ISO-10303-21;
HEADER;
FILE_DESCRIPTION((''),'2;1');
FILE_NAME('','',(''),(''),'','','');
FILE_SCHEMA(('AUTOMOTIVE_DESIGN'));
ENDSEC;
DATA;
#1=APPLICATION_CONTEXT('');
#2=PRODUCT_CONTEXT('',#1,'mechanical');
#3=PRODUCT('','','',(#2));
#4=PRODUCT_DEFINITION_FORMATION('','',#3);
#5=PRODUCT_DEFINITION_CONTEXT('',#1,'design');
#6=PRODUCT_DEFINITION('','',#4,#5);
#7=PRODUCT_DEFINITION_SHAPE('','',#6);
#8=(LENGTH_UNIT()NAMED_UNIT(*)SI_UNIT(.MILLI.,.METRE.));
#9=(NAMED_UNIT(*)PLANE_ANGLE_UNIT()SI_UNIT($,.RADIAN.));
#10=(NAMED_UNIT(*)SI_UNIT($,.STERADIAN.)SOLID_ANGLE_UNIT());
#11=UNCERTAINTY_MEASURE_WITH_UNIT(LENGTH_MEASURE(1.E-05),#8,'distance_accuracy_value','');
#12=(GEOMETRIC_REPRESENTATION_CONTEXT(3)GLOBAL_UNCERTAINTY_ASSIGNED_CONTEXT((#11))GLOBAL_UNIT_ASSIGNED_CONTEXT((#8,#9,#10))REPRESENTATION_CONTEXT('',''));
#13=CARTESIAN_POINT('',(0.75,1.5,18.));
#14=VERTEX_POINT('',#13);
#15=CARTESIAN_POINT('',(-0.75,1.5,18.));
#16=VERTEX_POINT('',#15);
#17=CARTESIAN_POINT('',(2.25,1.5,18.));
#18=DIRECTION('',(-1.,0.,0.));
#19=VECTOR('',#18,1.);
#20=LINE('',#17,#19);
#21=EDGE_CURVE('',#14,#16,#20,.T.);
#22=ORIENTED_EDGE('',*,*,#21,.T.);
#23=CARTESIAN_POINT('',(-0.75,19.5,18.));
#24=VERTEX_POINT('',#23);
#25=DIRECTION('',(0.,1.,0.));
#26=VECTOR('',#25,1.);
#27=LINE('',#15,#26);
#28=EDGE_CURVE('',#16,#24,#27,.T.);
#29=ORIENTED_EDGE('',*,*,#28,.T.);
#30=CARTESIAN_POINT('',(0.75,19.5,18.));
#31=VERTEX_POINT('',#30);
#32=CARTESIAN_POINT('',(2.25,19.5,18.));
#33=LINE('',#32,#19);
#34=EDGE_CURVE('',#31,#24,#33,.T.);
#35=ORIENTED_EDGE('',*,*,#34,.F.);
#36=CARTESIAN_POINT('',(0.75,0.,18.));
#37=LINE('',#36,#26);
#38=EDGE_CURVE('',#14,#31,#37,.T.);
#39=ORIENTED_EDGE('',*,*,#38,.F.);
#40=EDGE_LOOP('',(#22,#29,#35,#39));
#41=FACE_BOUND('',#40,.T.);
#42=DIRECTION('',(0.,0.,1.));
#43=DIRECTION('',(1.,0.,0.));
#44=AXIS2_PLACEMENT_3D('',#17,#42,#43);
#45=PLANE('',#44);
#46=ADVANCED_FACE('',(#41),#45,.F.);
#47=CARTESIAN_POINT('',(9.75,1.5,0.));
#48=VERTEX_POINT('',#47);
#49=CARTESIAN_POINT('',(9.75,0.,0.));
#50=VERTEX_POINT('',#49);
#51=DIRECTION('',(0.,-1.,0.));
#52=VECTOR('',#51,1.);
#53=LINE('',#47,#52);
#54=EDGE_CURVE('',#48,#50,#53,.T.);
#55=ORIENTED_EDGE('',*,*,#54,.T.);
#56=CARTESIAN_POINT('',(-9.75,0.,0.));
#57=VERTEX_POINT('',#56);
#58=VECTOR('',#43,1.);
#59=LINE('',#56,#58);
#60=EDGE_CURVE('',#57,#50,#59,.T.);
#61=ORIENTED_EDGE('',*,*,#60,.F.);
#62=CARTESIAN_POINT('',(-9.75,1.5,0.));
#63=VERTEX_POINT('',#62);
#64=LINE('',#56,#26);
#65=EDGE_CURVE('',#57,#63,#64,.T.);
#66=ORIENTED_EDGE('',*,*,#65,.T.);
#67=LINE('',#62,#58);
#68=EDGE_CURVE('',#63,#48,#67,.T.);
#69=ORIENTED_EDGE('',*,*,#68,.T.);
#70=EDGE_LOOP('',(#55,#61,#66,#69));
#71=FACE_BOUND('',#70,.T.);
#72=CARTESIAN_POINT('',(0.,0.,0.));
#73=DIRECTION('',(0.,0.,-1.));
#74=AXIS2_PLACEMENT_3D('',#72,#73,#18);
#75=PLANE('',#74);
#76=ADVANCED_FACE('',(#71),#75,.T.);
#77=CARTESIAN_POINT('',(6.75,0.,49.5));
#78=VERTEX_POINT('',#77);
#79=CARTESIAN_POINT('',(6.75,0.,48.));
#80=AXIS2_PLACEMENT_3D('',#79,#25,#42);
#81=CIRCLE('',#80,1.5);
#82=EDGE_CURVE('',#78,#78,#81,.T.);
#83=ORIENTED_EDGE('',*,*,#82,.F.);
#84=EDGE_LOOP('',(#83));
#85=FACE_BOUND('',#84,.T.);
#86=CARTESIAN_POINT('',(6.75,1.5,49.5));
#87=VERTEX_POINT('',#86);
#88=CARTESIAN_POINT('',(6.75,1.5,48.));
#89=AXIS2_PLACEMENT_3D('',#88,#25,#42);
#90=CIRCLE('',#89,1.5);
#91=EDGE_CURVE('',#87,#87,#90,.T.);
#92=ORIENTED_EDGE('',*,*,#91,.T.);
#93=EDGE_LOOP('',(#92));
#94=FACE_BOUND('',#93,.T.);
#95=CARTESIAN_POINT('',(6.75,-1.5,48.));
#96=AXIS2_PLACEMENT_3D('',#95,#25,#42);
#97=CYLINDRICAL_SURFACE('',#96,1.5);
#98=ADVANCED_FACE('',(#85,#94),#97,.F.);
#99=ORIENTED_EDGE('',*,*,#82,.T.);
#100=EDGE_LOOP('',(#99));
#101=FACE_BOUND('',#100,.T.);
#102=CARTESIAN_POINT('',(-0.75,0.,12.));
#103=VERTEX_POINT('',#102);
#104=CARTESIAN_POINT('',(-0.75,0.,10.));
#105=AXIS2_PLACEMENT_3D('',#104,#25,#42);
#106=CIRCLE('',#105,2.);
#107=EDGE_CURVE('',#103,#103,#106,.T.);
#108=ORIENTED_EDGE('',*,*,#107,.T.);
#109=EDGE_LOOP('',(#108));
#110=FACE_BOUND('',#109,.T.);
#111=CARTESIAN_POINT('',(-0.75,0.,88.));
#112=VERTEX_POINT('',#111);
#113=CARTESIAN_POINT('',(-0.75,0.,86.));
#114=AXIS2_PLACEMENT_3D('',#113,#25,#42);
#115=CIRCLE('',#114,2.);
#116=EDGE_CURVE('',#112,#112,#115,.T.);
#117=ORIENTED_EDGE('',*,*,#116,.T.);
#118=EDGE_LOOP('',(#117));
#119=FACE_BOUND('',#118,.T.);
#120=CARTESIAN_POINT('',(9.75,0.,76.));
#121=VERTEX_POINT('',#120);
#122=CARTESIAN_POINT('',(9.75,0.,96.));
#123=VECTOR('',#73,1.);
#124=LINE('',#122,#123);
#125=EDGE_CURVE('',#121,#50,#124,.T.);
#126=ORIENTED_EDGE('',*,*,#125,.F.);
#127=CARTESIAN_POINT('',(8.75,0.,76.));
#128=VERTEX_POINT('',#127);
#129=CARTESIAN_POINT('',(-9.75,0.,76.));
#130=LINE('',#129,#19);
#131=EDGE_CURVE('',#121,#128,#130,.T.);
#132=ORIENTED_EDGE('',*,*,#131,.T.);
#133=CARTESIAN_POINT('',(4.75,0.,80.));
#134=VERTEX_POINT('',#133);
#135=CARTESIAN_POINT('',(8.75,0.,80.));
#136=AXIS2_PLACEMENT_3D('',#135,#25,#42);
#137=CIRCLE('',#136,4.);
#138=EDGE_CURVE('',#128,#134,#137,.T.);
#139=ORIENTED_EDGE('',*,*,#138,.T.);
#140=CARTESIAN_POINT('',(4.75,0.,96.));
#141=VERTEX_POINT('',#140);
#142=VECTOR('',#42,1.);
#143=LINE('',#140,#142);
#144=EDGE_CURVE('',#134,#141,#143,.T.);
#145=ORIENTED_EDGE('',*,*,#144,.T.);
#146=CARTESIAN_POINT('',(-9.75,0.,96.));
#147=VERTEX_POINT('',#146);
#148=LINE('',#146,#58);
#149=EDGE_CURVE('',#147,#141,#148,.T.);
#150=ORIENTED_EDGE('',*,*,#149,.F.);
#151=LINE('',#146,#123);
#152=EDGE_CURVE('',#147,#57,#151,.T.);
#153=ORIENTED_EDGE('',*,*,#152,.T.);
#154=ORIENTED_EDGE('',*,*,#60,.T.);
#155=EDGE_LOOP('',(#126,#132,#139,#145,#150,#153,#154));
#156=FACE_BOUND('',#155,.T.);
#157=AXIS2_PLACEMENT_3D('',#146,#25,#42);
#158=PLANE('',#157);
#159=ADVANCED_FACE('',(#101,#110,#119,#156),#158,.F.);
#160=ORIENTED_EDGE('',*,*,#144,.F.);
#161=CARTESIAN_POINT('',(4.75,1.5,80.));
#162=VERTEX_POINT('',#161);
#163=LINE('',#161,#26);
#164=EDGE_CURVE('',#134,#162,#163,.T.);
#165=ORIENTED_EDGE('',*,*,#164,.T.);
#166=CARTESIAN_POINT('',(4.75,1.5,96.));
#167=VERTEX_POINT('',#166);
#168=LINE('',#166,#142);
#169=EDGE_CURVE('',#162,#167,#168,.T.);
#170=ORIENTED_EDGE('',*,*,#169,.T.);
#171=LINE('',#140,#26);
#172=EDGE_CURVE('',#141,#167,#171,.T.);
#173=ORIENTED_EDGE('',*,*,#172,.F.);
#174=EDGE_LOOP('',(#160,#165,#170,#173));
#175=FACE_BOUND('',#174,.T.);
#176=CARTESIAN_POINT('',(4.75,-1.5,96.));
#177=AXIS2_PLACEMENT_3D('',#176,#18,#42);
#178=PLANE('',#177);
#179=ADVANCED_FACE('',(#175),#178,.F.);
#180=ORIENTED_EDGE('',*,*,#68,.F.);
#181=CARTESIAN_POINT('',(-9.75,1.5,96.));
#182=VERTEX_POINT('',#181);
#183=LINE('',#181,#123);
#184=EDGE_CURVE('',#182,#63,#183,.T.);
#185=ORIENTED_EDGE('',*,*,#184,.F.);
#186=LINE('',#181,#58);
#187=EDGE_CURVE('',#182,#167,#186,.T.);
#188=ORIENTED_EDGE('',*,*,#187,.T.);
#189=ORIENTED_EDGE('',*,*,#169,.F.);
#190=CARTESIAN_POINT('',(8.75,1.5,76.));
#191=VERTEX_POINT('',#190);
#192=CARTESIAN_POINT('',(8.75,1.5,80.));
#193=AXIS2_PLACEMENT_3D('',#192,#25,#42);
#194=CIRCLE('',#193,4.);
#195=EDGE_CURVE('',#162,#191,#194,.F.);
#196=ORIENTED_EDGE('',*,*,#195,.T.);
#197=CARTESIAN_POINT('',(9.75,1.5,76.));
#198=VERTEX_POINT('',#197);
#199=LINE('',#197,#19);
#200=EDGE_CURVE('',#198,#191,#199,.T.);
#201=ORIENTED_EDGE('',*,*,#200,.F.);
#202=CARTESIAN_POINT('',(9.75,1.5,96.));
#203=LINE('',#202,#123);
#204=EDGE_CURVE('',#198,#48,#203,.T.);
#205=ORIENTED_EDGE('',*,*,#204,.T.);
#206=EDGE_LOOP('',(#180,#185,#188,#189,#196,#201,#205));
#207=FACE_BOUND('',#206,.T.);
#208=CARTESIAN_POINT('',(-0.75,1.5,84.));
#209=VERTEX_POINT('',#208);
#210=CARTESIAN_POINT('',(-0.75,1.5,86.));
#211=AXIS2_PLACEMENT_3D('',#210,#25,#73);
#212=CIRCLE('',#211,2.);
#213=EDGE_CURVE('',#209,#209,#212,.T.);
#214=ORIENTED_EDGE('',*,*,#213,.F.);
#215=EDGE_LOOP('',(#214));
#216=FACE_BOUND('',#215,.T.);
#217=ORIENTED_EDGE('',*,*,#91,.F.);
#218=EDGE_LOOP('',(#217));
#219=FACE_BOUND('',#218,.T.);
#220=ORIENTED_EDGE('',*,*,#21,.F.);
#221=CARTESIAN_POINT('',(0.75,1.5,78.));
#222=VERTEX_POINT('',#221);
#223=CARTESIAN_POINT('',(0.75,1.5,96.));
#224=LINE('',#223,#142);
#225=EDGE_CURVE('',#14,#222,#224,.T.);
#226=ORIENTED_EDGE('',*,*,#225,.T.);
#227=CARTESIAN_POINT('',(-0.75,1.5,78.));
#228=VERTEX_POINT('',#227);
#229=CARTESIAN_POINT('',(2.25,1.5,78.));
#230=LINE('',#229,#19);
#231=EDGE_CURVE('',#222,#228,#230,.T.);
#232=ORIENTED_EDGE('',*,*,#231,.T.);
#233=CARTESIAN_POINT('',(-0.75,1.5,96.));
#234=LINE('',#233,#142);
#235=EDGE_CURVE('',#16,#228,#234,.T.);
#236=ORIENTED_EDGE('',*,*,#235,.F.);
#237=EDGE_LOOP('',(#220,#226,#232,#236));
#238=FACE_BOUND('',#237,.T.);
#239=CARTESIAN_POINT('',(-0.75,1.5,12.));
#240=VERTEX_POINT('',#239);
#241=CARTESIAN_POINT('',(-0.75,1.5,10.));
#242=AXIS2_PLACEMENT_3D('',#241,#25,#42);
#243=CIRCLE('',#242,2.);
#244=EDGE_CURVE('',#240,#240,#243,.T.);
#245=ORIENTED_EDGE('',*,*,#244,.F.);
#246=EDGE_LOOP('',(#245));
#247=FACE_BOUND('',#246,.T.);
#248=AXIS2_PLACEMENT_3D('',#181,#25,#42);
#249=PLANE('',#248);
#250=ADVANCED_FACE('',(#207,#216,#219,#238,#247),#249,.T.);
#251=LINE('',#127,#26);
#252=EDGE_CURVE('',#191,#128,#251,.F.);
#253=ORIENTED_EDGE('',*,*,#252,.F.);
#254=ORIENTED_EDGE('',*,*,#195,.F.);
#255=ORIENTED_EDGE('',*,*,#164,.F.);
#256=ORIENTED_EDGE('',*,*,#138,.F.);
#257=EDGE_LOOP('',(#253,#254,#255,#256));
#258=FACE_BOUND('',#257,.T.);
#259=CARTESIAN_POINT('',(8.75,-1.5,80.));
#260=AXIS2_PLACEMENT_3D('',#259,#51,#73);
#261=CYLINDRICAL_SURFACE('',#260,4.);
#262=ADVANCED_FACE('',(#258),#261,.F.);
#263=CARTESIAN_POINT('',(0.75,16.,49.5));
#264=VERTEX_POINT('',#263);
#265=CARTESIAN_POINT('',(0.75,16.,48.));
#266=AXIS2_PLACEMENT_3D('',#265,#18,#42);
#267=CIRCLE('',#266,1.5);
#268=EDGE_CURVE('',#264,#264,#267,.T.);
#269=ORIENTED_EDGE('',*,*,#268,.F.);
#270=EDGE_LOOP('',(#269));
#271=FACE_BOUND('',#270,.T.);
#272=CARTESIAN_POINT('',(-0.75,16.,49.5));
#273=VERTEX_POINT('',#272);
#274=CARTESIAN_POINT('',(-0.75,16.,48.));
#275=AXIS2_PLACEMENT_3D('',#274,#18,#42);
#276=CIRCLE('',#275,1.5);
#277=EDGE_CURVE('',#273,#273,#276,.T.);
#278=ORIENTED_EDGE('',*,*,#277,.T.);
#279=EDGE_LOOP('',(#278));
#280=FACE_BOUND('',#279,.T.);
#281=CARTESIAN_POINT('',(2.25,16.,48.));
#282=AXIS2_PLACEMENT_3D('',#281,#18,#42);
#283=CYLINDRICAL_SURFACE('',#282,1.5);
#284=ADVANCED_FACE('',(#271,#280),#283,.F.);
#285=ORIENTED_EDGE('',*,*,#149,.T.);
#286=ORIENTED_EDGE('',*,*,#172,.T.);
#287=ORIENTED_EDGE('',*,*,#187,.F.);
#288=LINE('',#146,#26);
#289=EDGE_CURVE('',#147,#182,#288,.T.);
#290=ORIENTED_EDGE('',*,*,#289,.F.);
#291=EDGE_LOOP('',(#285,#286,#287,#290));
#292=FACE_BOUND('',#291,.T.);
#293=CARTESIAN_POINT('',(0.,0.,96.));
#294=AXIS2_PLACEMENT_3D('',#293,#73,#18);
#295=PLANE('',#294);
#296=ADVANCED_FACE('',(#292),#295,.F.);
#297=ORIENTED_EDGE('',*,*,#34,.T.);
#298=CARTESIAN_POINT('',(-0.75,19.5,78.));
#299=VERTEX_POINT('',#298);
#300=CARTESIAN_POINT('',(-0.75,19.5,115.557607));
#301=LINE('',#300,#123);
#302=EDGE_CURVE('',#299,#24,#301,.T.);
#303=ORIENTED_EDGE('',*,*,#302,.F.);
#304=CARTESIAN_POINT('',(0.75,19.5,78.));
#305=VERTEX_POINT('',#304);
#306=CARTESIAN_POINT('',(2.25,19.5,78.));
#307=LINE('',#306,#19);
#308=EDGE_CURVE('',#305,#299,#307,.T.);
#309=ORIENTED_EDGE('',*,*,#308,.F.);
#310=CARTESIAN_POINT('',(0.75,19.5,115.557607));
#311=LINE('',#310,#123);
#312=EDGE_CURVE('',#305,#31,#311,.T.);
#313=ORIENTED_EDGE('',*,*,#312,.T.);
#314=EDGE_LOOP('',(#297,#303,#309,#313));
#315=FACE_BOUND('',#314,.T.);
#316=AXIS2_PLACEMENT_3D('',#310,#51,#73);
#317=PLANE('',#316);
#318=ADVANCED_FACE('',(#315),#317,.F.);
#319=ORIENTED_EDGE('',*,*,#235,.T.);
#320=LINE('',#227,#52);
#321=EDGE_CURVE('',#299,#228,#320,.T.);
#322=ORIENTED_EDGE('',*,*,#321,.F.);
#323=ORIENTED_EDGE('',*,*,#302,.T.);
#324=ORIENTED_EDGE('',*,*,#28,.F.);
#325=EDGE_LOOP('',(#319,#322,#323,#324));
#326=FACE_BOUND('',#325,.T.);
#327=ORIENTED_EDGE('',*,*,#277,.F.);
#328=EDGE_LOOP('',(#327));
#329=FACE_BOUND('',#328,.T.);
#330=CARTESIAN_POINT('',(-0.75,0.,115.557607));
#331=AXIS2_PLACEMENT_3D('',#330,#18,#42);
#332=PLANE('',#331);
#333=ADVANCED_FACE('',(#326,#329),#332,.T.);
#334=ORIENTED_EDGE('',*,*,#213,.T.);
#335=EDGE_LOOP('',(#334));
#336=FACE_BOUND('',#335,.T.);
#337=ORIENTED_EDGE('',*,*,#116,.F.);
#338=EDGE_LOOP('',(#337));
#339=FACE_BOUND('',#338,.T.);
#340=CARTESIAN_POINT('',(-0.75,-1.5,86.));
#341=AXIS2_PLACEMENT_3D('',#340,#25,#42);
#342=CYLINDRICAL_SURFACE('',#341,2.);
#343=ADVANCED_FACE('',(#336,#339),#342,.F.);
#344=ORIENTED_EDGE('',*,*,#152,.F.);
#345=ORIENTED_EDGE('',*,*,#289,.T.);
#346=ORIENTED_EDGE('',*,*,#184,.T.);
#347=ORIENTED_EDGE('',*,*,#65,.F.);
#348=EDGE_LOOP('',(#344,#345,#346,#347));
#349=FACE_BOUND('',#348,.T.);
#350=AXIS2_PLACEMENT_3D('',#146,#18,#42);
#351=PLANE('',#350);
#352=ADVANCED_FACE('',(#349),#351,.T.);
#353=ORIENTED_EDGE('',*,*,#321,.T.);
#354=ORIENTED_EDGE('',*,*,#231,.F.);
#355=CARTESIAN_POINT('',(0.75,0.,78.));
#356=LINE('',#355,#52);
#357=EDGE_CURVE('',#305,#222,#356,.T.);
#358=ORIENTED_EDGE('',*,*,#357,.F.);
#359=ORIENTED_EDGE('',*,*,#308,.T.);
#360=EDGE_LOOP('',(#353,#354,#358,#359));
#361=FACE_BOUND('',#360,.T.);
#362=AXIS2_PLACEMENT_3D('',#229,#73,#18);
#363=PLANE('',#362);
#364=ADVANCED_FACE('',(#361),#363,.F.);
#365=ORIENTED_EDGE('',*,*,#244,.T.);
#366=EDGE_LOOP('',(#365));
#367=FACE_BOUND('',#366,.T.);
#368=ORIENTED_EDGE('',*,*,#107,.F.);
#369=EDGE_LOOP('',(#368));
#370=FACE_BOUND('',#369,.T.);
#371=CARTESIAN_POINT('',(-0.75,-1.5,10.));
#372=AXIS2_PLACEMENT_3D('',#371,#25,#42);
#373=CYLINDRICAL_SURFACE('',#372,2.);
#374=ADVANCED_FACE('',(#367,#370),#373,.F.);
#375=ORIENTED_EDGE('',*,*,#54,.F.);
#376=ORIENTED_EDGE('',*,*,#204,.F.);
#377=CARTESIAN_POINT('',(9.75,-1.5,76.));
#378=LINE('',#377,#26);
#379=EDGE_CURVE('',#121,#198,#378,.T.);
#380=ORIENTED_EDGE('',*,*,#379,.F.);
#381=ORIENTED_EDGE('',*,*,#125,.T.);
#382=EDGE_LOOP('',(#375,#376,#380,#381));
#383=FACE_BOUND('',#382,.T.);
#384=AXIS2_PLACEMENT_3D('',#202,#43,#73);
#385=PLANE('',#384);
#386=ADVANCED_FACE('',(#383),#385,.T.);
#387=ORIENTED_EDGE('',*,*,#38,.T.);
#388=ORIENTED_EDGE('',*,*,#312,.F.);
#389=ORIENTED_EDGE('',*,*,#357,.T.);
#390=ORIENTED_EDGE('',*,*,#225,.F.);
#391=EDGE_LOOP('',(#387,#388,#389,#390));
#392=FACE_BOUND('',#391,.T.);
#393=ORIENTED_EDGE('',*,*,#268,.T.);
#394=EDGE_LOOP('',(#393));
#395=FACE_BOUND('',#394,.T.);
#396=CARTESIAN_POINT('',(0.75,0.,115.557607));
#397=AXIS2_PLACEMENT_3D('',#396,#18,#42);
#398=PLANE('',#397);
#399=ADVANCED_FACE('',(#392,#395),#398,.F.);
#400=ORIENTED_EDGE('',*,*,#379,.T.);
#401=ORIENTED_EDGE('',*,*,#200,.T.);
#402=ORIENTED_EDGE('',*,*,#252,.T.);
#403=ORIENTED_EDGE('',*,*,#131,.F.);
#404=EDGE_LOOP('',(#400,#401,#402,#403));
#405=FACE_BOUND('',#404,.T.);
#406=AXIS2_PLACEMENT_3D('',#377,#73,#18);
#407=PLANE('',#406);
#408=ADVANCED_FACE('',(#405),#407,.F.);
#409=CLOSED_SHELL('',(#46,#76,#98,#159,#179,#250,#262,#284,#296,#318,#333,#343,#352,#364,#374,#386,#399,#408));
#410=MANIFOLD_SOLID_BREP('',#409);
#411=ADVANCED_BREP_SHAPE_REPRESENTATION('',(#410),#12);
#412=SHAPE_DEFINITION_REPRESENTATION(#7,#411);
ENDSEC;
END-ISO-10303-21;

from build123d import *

# Parameters (mm, degrees)
ESQUISSE1_W             = 19.5
ESQUISSE1_H             = 1.5
EXTRU_MINCE1_DEPTH      = 96
ESQUISSE2_W             = 1.5
ESQUISSE2_H             = 19.5
EXTRU_MINCE2_DEPTH      = 96
ESQUISSE3_R             = 1.5
ESQUISSE3_W             = 18
ESQUISSE3_H             = 18
ENL_V_MAT_EXTRU_1_DEPTH = 3
ESQUISSE4_R             = 2
ESQUISSE4_R_2           = 1.5
ESQUISSE4_W             = 5
ESQUISSE4_H             = 20
ENL_V_MAT_EXTRU_2_DEPTH = 3
CONG_1_R                = 4


with BuildPart() as part:
    # Esquisse1 → Extru.-Mince1 (new body)
    with BuildSketch(Plane.XY):
        with Locations((0, 0.75)):
            Rectangle(ESQUISSE1_W, ESQUISSE1_H)
    extrude(amount=EXTRU_MINCE1_DEPTH)

    # Esquisse2 → Extru.-Mince2 (add)
    with BuildSketch(Plane(origin=(0, 0, 0), x_dir=(-1, 0, 0), z_dir=(0, 0, -1))):
        with Locations((0, 9.75)):
            Rectangle(ESQUISSE2_W, ESQUISSE2_H)
    extrude(amount=-EXTRU_MINCE2_DEPTH)

    # Esquisse3 → Enlèv. mat.-Extru.1 (cut)
    with BuildSketch(Plane.ZY.offset(0.75)):
        with Locations((48, 16)):
            Circle(ESQUISSE3_R)
        with Locations((9, 10.5)):
            Rectangle(ESQUISSE3_W, ESQUISSE3_H)
        with Locations((87, 10.5)):
            Rectangle(ESQUISSE3_W, ESQUISSE3_H)
    extrude(amount=-ENL_V_MAT_EXTRU_1_DEPTH, mode=Mode.SUBTRACT)

    # Esquisse4 → Enlèv. mat.-Extru.2 (cut)
    with BuildSketch(Plane(origin=(0, 1.5, 0), x_dir=(1, 0, 0), z_dir=(0, 1, 0))):
        with Locations(Location((-0.75, -10, 0), (0, 0, 270))):
            Circle(ESQUISSE4_R)
        with Locations(Location((-0.75, -86, 0), (0, 0, 270))):
            Circle(ESQUISSE4_R)
        with Locations(Location((6.75, -48, 0), (0, 0, 270))):
            Circle(ESQUISSE4_R_2)
        with Locations((7.25, -86)):
            Rectangle(ESQUISSE4_W, ESQUISSE4_H)
    extrude(amount=-ENL_V_MAT_EXTRU_2_DEPTH, mode=Mode.SUBTRACT)

    # Congé1
    cong_1_edges = [part.edges().sort_by_distance(p)[0] for p in [
        (4.75, 0.75, 76),
    ]]
    fillet(cong_1_edges, radius=CONG_1_R)


solid = part.part
